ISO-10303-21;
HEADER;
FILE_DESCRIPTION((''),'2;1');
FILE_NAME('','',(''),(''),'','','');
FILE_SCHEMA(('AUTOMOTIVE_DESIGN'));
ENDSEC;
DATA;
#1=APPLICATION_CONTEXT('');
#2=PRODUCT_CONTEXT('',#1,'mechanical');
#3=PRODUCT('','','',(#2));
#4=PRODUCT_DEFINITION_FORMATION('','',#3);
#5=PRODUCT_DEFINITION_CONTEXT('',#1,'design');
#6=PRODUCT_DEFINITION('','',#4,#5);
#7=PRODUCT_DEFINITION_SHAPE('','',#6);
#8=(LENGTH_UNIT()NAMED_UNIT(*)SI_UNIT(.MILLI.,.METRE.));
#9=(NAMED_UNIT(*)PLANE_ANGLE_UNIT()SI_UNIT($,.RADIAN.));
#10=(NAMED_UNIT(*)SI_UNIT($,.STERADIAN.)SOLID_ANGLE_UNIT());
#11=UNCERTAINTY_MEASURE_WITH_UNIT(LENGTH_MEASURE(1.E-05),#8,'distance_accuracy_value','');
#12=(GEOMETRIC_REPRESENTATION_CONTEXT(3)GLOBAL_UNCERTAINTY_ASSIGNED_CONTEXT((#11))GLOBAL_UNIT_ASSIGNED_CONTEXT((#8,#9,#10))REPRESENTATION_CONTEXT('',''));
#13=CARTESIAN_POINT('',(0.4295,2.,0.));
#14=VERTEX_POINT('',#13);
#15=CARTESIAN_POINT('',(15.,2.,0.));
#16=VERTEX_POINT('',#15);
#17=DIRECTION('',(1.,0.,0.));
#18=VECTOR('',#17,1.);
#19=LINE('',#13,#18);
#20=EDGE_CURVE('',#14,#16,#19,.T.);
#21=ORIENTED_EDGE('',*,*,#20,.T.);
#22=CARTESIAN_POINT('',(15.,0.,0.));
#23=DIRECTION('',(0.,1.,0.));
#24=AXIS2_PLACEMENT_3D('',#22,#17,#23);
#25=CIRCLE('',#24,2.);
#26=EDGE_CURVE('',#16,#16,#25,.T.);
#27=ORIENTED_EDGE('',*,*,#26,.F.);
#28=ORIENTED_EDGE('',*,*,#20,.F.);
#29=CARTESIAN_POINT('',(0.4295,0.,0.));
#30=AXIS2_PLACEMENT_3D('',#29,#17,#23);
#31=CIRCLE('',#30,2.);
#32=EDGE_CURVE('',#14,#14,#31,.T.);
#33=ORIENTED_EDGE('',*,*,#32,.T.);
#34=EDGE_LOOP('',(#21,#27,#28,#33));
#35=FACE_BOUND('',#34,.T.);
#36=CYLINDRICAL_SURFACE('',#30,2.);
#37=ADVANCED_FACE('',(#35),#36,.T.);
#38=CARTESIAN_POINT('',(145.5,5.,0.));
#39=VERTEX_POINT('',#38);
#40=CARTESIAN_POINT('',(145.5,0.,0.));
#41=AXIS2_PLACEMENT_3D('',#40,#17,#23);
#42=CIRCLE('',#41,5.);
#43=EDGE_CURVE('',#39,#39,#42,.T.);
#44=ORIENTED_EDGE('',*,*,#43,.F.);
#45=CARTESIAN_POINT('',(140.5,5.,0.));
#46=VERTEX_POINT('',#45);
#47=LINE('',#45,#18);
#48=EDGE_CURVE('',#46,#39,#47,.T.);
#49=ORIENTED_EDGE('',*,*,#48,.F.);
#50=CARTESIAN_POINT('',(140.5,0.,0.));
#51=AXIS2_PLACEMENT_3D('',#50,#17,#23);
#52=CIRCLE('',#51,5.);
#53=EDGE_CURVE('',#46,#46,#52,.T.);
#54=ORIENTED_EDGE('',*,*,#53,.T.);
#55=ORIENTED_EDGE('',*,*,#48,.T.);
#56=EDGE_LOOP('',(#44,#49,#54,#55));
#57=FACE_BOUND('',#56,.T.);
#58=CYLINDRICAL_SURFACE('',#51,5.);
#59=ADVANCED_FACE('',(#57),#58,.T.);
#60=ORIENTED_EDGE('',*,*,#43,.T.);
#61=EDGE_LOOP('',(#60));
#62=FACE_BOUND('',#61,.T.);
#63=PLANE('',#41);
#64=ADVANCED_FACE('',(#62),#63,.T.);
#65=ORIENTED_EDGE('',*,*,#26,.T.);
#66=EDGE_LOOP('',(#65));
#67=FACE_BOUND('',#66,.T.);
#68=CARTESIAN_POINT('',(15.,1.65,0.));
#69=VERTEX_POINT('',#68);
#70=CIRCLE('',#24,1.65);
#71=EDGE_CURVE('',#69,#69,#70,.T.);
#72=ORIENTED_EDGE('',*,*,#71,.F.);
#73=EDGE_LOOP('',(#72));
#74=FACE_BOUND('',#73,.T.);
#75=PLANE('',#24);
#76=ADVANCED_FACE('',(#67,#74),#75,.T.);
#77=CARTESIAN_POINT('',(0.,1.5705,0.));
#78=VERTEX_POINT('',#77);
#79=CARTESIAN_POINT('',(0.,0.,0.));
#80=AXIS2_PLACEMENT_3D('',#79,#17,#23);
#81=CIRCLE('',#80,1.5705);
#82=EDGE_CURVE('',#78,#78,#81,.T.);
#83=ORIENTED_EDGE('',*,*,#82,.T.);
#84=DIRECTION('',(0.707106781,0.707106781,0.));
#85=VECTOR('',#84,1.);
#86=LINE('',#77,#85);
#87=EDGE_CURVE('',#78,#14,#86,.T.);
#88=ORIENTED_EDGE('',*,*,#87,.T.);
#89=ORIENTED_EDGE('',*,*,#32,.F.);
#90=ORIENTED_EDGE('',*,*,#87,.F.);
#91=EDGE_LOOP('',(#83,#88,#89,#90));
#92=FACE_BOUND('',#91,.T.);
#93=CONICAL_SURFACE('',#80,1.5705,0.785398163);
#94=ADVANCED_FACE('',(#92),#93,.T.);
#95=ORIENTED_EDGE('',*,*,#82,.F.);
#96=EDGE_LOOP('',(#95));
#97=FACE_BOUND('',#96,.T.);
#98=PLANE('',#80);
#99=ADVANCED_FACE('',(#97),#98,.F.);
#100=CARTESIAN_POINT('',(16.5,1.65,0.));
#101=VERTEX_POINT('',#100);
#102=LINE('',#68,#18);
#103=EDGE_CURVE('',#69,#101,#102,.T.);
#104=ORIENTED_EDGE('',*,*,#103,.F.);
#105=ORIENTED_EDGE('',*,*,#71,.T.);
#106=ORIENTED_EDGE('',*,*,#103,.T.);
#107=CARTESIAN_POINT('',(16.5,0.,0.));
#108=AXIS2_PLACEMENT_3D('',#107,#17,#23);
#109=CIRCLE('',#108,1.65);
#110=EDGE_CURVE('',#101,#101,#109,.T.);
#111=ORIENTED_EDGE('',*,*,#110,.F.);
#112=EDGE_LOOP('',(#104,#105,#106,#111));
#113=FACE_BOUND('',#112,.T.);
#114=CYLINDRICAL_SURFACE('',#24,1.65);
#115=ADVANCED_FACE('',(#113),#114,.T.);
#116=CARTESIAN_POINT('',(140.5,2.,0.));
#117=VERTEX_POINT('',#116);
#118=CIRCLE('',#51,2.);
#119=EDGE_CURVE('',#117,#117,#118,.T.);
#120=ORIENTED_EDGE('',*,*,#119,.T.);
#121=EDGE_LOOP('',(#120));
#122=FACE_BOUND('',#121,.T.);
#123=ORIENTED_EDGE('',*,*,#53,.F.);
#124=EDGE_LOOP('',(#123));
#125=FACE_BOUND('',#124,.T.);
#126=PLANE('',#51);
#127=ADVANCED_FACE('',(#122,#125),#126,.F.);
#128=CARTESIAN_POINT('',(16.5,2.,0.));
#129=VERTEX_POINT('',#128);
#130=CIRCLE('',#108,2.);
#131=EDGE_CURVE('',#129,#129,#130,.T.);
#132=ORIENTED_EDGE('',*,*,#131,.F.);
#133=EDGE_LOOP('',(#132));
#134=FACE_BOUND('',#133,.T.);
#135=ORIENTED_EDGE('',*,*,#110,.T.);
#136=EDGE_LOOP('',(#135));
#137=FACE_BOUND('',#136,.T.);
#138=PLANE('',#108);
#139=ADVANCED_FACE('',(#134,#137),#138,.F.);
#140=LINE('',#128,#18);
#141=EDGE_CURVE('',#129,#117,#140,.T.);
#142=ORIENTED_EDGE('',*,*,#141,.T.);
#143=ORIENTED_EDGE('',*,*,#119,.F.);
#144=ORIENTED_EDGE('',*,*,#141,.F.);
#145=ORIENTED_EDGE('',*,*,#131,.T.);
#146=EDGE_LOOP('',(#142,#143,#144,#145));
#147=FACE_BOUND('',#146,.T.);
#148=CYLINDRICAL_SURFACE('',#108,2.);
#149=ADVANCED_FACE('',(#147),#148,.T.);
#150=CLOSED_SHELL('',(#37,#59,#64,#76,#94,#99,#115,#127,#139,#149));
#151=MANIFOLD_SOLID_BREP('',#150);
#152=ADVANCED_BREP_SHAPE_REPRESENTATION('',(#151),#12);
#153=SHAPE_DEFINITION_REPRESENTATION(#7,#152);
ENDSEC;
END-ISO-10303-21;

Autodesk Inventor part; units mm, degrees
sketch "Sketch_2" plane through (0, 0, 0) normal (0, 0, 1) x (1, 0, 0)
  line L0 (145.5, 0) -> (0, 0)
  line L1 (0, 0) -> (0, 1.5705)
  line L2 (0, 1.5705) -> (0.4295, 2)
  line L3 (0.4295, 2) -> (15, 2)
  line L4 (15, 2) -> (15, 1.65)
  line L5 (15, 1.65) -> (16.5, 1.65)
  line L6 (16.5, 1.65) -> (16.5, 2)
  line L7 (16.5, 2) -> (140.5, 2)
  line L8 (140.5, 2) -> (140.5, 5)
  line L9 (140.5, 5) -> (145.5, 5)
  line L10 (145.5, 5) -> (145.5, 0)
  line L11 (145.5, 0) -> (0, 0)
revolve "Revolution1" add sketch "Sketch_2" angle 360 about axis through (145.5, 0, 0) along (1, 0, 0)
thread "Thread1" size "M4x0.7" class "6g" standard "ISO Metric profile" full length
ref_plane "ROD_BA_XY" through (8, 0, 0) normal (-1, 0, 0) x (0, 0, -1)
ref_plane "ROD_BA_YZ" through (8, 0, 0) normal (0, 0, -1) x (0, -1, 0)
ref_plane "ROD_BA_ZX" through (8, 0, 0) normal (0, -1, 0) x (-1, 0, 0)
ref_plane "ROD_BODY_XY" through (28, 0, 0) normal (-1, 0, 0) x (0, 0, -1)
ref_plane "ROD_BODY_YZ" through (28, 0, 0) normal (0, 0, -1) x (0, -1, 0)
ref_plane "ROD_BODY_ZX" through (28, 0, 0) normal (0, -1, 0) x (-1, 0, 0)
ref_plane "rodnt1_XY" through (7.5, 0, 0) normal (1, 0, 0) x (0, 0, -1)
ref_plane "rodnt1_YZ" through (7.5, 0, 0) normal (0, 0, -1) x (0, 1, 0)
ref_plane "rodnt1_ZX" through (7.5, 0, 0) normal (0, 1, 0) x (1, 0, 0)
properties part number "CJ2B10-100Z_ROD"
